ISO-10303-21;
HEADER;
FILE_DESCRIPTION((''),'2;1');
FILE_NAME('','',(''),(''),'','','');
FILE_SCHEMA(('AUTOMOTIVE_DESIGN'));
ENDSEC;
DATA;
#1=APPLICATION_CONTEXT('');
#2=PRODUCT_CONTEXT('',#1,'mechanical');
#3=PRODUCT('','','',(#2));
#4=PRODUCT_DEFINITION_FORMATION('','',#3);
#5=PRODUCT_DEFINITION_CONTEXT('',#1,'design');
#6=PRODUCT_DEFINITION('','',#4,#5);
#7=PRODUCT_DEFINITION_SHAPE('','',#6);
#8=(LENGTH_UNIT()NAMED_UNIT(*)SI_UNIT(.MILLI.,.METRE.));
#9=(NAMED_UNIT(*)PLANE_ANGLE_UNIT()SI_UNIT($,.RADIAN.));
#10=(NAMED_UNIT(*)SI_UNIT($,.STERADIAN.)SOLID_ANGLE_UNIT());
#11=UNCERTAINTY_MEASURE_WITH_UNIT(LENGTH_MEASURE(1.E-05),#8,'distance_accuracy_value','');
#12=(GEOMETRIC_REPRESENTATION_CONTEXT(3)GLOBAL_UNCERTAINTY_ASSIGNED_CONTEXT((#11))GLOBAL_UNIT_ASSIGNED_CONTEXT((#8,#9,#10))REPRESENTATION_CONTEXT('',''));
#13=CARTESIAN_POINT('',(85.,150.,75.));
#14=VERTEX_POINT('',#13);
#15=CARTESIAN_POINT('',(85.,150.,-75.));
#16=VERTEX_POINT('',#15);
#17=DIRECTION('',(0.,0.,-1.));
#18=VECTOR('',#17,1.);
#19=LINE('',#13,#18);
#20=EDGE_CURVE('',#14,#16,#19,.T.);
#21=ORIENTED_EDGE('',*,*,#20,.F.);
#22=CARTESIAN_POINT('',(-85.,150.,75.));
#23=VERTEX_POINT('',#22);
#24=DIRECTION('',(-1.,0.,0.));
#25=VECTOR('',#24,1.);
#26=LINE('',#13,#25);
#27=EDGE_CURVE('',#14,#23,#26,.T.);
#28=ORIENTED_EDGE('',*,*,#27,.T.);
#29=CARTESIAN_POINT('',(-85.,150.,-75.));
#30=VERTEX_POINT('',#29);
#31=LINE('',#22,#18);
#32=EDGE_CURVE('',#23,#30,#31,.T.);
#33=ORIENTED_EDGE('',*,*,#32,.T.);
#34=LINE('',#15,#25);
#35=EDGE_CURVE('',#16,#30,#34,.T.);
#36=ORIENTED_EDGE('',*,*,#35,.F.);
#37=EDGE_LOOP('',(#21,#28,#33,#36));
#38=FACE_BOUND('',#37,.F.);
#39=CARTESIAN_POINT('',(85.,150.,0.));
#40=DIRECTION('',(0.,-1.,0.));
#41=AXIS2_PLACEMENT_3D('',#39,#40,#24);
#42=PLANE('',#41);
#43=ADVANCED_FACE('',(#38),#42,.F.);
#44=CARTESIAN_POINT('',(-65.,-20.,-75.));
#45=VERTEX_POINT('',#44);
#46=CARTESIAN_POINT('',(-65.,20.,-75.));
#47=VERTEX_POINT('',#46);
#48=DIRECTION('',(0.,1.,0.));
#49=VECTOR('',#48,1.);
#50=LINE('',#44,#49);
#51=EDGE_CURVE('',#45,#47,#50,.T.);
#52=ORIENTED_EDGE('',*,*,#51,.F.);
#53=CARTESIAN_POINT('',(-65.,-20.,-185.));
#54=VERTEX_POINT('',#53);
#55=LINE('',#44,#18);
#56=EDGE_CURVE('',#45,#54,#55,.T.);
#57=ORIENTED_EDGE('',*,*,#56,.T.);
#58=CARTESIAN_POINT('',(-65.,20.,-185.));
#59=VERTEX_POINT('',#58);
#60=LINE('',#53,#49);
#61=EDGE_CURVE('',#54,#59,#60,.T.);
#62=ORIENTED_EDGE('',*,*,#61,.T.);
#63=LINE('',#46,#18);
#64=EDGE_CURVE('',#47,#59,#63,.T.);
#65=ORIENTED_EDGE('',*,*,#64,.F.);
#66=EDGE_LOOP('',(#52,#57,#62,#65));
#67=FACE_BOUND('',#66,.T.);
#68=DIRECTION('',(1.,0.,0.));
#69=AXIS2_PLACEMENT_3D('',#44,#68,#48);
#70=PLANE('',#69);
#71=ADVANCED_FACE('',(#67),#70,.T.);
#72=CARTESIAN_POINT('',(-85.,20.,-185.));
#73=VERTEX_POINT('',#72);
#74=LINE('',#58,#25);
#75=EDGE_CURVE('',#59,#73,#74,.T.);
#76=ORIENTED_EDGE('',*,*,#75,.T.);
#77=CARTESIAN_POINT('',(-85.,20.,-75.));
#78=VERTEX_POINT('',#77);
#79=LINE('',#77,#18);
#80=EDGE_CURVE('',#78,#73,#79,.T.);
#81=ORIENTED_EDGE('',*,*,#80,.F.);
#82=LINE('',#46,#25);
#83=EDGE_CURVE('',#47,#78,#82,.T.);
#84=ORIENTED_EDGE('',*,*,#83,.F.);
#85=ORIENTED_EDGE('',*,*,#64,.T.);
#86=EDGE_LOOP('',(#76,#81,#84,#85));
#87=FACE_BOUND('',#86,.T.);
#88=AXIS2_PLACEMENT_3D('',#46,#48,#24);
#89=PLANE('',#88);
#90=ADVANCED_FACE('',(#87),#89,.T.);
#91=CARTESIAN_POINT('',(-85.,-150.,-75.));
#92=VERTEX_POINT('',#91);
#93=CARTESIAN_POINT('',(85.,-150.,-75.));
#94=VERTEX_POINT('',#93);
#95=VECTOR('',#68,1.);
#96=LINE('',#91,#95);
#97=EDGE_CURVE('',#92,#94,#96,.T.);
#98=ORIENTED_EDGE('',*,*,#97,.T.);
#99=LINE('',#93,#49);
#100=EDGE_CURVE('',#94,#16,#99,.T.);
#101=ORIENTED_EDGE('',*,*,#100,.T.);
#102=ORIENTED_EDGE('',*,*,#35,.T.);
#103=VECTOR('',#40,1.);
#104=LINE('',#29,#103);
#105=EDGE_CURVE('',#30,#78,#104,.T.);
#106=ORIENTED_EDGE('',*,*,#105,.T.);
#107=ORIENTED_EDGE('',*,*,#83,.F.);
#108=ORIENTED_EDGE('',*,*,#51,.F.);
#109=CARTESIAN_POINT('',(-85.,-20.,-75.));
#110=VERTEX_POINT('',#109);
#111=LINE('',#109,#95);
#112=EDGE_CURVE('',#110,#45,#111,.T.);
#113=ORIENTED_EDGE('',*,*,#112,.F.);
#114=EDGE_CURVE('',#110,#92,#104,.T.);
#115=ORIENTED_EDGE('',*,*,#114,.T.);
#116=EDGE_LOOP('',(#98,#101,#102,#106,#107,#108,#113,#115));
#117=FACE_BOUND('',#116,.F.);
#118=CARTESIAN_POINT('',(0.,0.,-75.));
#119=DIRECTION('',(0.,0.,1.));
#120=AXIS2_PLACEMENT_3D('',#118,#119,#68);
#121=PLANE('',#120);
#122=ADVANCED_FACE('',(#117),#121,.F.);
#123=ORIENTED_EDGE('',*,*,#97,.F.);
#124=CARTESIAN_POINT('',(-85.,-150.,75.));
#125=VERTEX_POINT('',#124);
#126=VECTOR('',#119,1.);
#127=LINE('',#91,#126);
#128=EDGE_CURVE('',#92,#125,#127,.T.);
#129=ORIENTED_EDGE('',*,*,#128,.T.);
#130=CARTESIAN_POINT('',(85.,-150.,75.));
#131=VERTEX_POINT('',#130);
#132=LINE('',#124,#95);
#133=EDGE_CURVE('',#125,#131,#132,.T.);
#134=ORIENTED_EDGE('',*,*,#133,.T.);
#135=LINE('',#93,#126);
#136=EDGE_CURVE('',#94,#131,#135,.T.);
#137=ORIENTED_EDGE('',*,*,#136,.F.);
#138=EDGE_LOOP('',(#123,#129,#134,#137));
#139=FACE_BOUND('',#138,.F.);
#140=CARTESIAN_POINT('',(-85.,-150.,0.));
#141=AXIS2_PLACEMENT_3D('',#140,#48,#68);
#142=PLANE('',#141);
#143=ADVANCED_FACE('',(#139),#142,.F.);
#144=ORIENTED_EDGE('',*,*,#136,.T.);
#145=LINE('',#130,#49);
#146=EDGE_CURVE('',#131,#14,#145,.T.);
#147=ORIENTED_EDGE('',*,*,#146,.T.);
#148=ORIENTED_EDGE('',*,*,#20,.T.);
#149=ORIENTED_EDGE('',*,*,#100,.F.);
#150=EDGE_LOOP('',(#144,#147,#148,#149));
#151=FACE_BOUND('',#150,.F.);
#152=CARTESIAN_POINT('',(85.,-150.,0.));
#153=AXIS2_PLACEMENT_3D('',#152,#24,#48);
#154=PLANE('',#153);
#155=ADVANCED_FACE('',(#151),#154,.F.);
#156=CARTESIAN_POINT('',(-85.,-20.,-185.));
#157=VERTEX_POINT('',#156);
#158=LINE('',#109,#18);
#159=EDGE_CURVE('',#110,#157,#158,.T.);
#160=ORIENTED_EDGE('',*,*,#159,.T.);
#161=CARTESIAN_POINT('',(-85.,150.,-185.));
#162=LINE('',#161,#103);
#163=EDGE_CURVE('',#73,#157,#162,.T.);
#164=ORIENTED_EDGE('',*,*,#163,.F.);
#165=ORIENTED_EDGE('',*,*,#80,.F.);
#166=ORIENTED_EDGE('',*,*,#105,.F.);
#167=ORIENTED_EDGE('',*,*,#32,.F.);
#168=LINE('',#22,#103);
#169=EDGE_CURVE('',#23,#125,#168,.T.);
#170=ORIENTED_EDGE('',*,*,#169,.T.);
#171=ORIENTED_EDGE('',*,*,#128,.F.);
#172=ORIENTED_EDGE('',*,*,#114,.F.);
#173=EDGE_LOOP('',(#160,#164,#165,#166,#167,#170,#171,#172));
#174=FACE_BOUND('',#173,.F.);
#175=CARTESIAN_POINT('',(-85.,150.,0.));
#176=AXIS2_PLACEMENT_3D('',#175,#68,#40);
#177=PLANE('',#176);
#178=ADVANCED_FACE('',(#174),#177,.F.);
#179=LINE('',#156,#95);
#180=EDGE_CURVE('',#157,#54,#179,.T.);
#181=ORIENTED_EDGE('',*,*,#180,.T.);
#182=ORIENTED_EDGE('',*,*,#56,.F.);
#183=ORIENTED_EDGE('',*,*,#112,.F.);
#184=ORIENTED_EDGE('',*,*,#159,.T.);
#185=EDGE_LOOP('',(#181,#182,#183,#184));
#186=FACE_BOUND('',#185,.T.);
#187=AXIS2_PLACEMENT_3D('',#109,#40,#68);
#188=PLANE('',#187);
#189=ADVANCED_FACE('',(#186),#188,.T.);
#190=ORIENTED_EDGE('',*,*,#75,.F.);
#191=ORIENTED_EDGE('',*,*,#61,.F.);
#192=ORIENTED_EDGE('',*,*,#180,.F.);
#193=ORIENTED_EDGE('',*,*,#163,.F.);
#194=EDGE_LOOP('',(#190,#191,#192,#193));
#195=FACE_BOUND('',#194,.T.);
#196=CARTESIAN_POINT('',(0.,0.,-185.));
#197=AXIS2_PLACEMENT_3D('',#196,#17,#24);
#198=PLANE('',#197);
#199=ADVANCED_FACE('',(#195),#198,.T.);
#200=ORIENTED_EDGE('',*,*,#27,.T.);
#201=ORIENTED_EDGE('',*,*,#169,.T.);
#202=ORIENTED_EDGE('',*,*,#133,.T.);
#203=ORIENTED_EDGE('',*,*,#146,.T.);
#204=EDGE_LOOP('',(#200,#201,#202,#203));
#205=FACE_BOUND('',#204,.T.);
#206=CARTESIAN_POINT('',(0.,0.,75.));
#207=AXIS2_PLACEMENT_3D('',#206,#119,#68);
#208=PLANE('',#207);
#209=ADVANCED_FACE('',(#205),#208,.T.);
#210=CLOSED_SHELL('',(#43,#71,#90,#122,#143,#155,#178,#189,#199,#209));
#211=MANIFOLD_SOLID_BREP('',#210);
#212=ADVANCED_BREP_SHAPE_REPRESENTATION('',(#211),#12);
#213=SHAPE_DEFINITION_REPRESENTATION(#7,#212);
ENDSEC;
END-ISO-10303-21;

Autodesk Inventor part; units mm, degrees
ref_plane "YZ Plane" through (0, 0, 0) normal (1, 0, 0) x (0, 1, 0)
ref_plane "XZ Plane" through (0, 0, 0) normal (0, 1, 0) x (-1, 0, 0)
ref_plane "XY Plane" through (0, 0, 0) normal (0, 0, 1) x (1, 0, 0)
sketch "スケッチ1" plane through (0, 0, 0) normal (0, 0, 1) x (1, 0, 0)
  line L0 (-85, -150) -> (85, -150)
  line L1 (85, -150) -> (85, 150)
  line L2 (85, 150) -> (-85, 150)
  line L3 (-85, 150) -> (-85, -150)
  point P0 (0, 0)
  point P1 (85, 0)
  dimension "d0" = 300
  dimension "d1" = 170
  dimension "d3" = 85
  dimension "d4" = 150
extrude "押し出し1" add sketch "スケッチ1" along normal mid plane 150
sketch "スケッチ2" plane through (0, 0, -75) normal (0, 0, -1) x (-1, 0, 0)
  line L0 (85, 150) -> (85, -150) projected
  line L1 (85, -20) -> (65, -20)
  line L2 (65, -20) -> (65, 20)
  line L3 (65, 20) -> (85, 20)
  line L4 (85, 20) -> (85, -20)
  line L5 (-85, -150) -> (85, -150) projected
  point P0 (0, 0)
  dimension "d7" = 40
  dimension "d8" = 20
  dimension "d9" = 130
extrude "押し出し2" add sketch "スケッチ2" along normal blind 110
properties part number "body_luggage"
